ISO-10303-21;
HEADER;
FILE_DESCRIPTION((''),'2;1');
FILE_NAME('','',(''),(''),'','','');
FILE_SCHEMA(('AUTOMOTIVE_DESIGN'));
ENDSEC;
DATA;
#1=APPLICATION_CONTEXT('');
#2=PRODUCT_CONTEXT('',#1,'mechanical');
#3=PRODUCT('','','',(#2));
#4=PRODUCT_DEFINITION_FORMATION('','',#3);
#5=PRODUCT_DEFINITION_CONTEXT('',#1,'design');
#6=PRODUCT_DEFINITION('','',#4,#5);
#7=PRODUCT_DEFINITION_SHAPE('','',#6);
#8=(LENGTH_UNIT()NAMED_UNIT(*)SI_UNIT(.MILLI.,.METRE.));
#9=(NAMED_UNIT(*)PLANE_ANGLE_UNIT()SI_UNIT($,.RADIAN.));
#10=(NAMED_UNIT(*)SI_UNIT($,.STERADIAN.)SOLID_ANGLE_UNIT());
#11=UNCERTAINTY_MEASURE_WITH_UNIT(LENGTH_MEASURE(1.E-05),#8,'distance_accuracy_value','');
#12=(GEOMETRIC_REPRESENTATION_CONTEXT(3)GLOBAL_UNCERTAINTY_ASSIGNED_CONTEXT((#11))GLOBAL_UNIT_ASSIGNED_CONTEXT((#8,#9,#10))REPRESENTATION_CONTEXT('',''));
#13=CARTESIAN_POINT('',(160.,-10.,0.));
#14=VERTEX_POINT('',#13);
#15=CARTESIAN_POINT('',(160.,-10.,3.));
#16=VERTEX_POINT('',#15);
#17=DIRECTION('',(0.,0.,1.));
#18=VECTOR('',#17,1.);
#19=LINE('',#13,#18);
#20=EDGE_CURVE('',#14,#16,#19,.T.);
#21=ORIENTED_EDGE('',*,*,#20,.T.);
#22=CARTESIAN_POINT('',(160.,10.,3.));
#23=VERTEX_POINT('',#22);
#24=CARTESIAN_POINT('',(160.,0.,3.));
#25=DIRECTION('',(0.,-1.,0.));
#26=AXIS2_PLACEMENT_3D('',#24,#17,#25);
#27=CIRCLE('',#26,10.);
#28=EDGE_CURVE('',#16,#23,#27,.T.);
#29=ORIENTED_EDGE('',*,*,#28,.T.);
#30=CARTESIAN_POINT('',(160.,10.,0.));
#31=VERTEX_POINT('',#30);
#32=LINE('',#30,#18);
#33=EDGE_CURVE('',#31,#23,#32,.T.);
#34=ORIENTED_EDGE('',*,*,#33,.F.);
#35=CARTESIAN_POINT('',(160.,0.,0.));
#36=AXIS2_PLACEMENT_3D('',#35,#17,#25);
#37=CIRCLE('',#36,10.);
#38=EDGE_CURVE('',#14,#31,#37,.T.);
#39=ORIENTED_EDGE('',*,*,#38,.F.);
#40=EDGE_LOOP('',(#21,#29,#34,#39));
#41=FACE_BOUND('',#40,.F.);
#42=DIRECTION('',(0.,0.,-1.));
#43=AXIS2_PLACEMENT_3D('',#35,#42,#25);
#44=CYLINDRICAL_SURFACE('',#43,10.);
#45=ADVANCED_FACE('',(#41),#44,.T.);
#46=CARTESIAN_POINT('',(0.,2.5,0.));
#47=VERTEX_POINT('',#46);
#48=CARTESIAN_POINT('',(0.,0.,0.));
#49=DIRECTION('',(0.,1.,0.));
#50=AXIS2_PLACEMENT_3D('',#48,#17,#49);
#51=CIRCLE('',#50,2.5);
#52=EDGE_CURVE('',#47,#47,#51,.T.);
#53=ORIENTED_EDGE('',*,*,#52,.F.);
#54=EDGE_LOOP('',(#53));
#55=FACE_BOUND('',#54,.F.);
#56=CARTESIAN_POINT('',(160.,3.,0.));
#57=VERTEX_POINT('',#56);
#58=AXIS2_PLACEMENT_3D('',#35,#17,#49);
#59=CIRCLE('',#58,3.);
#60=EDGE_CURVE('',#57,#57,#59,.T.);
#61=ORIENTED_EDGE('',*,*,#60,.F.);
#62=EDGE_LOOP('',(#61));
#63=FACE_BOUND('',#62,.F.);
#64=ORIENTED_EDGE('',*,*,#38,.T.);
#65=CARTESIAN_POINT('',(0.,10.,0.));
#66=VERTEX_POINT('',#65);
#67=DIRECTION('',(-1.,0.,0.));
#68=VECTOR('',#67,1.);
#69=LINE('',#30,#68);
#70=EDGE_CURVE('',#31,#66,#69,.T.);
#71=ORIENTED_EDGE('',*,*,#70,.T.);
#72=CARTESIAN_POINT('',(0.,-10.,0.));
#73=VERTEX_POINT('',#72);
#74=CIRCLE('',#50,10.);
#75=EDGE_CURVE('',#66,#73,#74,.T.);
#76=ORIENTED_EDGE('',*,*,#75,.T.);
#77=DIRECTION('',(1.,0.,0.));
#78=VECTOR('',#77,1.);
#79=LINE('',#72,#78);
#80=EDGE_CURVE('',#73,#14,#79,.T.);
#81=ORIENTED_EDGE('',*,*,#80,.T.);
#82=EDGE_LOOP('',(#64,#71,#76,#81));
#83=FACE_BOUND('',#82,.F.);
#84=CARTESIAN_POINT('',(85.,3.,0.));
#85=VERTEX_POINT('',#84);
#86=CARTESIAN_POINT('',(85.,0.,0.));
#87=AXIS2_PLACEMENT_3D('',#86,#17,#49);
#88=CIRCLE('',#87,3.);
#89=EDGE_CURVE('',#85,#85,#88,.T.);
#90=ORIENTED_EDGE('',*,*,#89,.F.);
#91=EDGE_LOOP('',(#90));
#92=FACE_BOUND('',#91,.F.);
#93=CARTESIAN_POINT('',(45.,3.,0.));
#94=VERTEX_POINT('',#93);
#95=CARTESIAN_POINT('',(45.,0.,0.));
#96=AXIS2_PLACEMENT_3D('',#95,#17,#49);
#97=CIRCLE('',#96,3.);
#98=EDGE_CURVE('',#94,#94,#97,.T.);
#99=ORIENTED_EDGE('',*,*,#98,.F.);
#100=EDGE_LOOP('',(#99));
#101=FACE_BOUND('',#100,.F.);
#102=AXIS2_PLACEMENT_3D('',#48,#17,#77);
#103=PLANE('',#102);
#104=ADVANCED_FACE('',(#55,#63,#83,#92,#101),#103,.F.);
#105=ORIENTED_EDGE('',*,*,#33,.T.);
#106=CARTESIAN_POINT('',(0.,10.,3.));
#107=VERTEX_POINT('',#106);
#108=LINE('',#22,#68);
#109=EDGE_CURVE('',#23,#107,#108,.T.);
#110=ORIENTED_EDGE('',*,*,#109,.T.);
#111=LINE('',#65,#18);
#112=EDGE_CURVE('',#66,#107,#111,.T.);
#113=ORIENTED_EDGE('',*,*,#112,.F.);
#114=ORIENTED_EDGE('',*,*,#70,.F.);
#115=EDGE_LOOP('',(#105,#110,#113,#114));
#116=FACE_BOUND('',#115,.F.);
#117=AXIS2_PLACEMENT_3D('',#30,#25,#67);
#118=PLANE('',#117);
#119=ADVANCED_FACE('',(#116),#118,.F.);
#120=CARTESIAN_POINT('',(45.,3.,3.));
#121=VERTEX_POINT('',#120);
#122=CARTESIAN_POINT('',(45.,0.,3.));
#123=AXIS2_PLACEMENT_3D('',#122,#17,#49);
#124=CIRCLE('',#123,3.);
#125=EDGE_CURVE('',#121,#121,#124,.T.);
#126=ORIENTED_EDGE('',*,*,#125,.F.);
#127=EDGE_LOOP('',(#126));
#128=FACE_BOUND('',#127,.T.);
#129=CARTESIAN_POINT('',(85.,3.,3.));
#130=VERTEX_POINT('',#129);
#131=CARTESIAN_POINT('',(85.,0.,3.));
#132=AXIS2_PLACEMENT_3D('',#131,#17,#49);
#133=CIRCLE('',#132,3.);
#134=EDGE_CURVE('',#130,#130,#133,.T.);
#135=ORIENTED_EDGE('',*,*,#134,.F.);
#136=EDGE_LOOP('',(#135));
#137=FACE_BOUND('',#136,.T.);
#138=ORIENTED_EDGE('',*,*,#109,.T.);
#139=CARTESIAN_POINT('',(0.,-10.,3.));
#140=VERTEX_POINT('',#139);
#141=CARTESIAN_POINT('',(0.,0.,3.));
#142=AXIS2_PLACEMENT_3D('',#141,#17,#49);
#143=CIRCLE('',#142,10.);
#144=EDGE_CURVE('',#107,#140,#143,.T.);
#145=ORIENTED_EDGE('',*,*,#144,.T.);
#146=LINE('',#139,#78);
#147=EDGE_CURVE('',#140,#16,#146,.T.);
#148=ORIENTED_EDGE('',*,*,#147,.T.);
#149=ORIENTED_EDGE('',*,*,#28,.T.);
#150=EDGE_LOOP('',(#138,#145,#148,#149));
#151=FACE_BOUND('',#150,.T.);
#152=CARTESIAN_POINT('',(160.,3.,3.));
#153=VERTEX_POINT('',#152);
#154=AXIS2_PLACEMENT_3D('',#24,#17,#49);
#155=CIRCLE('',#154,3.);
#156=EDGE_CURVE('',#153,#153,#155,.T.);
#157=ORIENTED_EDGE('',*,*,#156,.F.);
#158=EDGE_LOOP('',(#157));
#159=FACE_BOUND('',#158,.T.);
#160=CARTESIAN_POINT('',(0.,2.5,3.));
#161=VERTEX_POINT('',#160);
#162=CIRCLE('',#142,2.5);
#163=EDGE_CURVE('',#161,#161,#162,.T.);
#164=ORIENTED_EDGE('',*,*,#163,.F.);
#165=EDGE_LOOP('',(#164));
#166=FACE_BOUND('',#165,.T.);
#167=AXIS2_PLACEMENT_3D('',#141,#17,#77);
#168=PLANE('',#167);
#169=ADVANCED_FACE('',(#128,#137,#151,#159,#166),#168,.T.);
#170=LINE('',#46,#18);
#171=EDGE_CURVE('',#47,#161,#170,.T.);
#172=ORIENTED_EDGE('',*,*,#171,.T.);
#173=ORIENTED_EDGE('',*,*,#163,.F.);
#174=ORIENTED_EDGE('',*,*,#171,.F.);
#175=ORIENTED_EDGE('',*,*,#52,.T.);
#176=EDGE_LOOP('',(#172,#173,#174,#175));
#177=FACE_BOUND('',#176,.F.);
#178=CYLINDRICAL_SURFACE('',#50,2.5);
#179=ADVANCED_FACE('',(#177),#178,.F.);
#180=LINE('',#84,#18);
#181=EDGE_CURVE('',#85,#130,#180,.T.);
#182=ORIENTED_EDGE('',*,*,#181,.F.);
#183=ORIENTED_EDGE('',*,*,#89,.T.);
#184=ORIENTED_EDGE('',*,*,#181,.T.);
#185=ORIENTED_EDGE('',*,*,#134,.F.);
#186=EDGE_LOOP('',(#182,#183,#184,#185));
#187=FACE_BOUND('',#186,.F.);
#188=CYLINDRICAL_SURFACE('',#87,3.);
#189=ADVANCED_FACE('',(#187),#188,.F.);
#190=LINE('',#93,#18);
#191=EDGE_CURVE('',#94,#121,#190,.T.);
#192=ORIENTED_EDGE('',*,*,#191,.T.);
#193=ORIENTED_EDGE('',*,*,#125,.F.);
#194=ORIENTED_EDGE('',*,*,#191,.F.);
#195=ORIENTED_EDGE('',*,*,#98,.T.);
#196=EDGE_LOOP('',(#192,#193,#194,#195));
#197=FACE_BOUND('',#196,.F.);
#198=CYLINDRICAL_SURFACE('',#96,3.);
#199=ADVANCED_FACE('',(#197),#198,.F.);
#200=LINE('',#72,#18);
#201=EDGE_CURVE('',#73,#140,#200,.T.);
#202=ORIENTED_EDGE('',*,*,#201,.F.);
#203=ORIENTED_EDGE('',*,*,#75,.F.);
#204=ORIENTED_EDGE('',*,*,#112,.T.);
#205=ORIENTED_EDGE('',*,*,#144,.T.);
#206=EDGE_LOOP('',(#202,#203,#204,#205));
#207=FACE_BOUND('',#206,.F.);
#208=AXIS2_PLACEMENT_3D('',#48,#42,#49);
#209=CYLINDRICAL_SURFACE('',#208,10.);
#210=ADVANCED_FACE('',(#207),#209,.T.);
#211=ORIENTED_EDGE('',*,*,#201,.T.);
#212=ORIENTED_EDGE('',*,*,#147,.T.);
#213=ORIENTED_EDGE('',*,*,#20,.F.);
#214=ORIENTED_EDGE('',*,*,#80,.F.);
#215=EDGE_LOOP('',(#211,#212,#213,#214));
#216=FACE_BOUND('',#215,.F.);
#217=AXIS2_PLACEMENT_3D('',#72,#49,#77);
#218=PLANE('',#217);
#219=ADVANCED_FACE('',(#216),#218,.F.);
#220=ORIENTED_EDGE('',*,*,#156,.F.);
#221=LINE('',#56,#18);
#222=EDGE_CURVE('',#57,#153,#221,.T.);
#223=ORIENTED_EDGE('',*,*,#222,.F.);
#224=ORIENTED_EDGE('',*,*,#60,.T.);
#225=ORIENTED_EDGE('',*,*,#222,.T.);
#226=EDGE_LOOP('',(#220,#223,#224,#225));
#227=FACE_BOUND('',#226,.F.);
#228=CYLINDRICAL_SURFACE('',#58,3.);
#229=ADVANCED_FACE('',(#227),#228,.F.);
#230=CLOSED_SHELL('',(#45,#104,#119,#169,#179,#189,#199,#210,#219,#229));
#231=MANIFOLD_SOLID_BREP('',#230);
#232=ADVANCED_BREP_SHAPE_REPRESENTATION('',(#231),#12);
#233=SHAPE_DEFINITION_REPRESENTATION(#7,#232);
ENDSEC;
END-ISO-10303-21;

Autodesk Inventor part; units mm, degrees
ref_plane "YZ Plane" through (0, 0, 0) normal (1, 0, 0) x (0, 1, 0)
ref_plane "XZ Plane" through (0, 0, 0) normal (0, 1, 0) x (-1, 0, 0)
ref_plane "XY Plane" through (0, 0, 0) normal (0, 0, 1) x (1, 0, 0)
sketch "Szkic1" plane through (0, 0, 0) normal (0, 0, 1) x (1, 0, 0)
  line L0 (0, 0) -> (160, 0) construction
  line L1 (0, -10) -> (160, -10)
  line L2 (160, 10) -> (0, 10)
  arc A0 (0, 10) -> (0, -10) centre (0, 0) ccw
  arc A1 (160, -10) -> (160, 10) centre (160, 0) ccw
  point P0 (80, 0)
  point P1 (85, 0)
  point P2 (45, 0)
  dimension "d0" = 160
  dimension "d1" = 20
  dimension "d2" = 75
  dimension "d12" = 45
extrude "Wyciągnięcie proste1" add sketch "Szkic1" along normal blind 3
hole "Otwór1" at (160, 0, 0) at (85, 0, 0) at (45, 0, 0) direction (0, 0, 1) diameter 6 end through all
hole "Otwór2" at (0, 0, 0) direction (0, 0, 1) diameter 5 end through all
properties part number "glowny_wahacz"
